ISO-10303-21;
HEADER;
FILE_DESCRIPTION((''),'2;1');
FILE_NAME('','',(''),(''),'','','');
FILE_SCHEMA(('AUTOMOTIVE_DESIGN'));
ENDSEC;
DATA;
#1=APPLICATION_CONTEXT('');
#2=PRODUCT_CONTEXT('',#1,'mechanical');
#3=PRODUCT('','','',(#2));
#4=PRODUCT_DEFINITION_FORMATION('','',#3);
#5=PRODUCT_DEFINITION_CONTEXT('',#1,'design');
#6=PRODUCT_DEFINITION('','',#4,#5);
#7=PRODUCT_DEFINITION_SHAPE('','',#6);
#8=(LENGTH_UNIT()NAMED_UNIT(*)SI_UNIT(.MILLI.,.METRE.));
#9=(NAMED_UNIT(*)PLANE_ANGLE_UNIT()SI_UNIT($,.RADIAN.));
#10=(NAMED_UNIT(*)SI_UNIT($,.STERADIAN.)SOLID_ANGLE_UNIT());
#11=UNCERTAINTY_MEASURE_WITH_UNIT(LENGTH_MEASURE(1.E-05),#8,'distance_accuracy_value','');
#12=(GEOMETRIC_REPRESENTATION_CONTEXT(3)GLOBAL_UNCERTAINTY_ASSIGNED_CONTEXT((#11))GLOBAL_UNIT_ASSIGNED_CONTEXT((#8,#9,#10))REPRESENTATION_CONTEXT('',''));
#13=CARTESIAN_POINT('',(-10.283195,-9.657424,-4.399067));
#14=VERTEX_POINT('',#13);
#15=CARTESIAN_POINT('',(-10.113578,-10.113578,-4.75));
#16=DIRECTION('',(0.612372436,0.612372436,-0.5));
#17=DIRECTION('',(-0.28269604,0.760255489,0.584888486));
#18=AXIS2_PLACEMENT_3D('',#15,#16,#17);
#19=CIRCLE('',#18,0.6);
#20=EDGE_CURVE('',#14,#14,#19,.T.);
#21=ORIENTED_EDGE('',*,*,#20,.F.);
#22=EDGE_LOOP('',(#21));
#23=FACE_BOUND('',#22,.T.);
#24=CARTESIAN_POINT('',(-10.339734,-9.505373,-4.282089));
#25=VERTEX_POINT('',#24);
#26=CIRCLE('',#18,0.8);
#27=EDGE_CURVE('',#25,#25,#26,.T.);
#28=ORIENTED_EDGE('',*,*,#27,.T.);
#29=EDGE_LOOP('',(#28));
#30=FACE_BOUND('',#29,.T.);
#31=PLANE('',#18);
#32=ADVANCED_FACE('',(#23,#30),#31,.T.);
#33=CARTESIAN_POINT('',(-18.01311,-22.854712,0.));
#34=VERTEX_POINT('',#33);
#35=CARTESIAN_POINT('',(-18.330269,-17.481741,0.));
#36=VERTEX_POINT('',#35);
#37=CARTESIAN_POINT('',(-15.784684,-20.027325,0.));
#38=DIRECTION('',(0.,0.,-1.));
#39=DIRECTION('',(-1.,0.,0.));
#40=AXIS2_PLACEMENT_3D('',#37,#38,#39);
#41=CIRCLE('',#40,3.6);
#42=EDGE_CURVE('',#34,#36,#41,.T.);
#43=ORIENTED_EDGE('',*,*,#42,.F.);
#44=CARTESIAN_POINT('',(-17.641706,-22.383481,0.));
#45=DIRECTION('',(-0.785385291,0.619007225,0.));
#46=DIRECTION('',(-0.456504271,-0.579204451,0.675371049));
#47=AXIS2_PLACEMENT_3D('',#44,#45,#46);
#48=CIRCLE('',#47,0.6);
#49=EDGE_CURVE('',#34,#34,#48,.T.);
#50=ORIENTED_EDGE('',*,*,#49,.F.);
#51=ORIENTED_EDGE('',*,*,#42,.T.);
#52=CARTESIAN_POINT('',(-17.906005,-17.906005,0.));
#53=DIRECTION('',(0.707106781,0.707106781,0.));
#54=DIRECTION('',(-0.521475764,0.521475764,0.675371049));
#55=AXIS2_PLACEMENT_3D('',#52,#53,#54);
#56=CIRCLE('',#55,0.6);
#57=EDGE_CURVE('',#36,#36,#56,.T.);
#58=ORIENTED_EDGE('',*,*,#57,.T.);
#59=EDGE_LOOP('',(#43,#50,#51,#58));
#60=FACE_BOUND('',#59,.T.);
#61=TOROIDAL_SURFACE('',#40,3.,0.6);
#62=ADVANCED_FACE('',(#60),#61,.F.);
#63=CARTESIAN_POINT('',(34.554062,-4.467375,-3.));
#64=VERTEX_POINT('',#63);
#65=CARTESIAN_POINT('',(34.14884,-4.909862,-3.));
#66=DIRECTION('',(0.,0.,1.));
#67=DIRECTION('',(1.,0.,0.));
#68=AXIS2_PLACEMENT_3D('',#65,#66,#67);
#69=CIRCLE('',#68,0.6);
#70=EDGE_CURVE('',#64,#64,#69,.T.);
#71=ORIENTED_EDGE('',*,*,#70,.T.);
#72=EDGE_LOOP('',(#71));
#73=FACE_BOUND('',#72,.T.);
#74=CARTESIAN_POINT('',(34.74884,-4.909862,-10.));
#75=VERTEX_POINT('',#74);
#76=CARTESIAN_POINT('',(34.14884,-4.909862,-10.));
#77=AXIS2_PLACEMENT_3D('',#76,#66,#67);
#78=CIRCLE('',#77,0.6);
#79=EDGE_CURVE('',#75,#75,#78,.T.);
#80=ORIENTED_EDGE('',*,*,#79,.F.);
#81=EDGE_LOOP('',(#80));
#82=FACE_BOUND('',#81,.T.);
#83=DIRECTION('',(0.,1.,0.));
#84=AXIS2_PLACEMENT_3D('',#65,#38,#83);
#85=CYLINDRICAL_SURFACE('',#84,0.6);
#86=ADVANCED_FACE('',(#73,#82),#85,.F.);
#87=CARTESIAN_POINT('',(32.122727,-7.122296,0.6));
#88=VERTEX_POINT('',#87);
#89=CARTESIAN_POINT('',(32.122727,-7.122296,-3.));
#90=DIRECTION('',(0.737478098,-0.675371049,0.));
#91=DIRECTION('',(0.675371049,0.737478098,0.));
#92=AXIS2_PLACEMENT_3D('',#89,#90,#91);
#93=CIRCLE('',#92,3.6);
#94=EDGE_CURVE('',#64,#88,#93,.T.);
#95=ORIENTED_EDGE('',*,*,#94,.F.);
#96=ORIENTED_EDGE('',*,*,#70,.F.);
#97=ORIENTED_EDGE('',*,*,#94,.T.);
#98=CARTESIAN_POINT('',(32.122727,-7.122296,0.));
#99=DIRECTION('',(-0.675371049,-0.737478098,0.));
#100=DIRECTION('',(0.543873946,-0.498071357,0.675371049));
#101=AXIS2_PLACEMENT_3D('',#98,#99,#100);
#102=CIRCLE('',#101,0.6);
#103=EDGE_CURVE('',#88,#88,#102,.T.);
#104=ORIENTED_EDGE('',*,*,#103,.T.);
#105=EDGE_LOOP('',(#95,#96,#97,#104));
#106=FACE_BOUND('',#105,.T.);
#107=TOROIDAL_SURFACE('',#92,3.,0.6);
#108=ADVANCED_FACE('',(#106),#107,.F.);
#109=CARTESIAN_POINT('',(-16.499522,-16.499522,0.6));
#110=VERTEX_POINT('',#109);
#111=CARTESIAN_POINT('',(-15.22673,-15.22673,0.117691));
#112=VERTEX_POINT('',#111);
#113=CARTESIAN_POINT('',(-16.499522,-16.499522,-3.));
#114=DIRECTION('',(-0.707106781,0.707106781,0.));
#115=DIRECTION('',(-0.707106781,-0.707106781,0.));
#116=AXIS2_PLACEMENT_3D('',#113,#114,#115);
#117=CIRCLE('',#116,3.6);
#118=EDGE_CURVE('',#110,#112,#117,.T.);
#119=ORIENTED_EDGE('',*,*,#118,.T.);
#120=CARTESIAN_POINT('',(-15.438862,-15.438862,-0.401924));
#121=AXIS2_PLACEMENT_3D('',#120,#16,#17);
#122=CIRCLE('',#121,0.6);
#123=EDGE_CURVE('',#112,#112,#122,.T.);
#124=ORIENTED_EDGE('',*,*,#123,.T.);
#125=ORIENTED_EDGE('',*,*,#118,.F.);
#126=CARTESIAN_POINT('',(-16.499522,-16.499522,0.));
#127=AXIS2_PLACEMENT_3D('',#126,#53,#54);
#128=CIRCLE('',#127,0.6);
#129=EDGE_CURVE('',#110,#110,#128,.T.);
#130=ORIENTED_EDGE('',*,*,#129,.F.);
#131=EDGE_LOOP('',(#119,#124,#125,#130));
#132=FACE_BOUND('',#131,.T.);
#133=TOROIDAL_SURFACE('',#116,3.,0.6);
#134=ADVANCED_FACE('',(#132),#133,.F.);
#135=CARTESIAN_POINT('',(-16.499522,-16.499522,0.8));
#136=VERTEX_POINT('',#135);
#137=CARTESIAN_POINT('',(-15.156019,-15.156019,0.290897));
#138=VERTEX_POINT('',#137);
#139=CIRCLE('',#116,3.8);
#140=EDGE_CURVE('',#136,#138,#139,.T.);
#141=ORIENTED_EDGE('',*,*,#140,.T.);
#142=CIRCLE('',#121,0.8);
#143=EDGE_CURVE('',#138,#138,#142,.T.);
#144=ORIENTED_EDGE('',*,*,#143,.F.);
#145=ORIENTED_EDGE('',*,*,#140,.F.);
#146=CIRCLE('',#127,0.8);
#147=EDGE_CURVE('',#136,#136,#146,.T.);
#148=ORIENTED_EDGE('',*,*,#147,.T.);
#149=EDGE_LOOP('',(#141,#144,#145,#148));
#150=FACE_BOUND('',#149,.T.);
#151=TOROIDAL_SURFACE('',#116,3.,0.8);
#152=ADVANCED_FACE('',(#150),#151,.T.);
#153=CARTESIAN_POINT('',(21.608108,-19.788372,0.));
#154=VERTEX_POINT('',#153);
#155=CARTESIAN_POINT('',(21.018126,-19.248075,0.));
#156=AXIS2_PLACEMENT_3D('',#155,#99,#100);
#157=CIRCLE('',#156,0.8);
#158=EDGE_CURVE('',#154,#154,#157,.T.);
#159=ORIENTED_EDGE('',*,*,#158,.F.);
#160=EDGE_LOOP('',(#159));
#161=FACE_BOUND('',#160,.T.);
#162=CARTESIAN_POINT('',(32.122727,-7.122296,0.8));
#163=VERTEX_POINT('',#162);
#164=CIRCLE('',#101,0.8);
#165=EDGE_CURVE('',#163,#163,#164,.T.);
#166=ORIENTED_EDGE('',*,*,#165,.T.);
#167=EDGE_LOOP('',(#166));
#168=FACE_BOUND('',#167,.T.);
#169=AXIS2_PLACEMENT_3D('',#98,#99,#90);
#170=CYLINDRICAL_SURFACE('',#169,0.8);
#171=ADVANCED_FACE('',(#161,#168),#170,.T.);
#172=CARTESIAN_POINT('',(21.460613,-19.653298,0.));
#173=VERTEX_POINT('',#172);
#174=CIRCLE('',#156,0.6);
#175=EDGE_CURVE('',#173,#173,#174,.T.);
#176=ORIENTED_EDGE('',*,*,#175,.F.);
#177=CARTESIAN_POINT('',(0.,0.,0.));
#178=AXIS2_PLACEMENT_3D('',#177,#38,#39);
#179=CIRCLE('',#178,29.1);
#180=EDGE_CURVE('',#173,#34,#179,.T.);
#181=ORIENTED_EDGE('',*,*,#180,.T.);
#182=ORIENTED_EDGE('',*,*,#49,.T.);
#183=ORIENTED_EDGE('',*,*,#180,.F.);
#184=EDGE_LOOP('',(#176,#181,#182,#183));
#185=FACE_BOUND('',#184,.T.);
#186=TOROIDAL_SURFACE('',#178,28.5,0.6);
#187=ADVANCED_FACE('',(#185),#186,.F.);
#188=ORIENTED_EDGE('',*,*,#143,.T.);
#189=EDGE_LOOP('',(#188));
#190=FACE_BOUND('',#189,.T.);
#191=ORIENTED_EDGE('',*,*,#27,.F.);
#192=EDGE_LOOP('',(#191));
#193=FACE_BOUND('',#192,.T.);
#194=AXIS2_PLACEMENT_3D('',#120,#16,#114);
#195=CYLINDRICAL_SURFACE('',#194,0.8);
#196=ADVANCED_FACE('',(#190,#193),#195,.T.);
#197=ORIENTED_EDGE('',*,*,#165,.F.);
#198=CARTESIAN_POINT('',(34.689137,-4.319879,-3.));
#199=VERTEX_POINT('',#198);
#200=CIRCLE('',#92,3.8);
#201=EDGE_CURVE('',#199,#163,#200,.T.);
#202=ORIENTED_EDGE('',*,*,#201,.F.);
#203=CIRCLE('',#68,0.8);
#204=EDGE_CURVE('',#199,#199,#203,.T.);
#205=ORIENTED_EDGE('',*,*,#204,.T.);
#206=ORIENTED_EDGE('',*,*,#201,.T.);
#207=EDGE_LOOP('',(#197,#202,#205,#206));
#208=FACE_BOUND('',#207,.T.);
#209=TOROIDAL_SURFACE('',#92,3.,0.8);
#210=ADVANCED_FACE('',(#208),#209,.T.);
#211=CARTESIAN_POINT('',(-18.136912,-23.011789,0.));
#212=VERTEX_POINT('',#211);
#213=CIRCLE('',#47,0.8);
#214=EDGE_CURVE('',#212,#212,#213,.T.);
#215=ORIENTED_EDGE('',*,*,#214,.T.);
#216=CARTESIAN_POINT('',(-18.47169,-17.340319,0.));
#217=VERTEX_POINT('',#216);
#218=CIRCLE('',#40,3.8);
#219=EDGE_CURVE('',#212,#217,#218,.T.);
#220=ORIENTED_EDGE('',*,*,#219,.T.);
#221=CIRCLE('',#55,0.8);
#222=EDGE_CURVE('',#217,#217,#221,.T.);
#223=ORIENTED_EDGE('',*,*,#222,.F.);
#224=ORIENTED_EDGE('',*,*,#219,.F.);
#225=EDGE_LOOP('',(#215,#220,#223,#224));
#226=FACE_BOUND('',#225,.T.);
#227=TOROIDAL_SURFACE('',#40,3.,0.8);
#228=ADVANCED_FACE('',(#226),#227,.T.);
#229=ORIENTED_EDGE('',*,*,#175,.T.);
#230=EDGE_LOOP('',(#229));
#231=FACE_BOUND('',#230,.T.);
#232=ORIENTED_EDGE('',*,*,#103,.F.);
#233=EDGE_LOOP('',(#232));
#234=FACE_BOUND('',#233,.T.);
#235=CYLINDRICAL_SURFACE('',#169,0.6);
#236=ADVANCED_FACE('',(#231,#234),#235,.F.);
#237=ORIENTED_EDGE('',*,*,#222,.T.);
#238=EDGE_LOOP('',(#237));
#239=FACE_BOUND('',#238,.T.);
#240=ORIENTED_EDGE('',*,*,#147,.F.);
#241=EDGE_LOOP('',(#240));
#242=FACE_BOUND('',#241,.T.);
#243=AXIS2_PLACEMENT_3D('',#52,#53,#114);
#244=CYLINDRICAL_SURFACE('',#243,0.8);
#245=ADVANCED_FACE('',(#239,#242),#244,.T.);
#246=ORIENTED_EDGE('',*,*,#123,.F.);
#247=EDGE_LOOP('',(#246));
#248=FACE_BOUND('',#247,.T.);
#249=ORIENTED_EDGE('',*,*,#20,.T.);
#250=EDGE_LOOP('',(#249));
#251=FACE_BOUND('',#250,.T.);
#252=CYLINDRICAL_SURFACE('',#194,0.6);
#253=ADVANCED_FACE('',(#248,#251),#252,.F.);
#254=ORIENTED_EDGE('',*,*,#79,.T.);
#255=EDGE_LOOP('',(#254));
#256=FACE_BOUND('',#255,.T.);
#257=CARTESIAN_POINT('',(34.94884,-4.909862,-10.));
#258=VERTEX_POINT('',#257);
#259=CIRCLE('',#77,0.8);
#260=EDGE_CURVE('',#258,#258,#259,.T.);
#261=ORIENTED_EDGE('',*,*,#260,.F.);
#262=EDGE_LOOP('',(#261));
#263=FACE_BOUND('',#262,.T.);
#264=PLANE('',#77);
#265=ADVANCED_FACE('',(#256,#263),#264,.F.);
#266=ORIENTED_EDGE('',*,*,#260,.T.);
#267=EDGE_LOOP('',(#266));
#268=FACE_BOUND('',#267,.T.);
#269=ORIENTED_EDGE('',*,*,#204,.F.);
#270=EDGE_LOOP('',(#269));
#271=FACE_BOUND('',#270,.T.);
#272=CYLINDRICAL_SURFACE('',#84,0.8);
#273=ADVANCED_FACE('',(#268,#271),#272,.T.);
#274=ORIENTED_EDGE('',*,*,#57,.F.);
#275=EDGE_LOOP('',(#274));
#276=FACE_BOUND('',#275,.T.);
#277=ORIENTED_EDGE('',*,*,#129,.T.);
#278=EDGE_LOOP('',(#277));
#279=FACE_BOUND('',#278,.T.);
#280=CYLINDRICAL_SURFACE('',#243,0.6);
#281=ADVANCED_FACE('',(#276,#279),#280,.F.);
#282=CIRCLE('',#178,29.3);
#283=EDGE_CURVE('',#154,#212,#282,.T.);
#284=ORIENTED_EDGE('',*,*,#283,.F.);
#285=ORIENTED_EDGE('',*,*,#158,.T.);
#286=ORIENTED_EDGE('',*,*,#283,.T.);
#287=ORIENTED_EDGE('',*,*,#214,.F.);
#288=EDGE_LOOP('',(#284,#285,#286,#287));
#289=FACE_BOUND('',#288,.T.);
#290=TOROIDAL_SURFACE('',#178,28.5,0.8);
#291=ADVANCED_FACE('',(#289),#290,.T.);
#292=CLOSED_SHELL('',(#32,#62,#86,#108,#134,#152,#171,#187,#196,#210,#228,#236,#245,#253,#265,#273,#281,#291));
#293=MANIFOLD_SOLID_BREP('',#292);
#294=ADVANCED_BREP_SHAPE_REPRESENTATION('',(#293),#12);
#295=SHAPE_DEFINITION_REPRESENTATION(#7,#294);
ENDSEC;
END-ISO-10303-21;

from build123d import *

# Parameters (mm, degrees)
SKETCH3_R   = 0.8
SKETCH3_R_2 = 0.6


with BuildPart() as part:
    # Sweep1: sweep along a curve in space
    with BuildLine() as sweep1_path:
        Line((-15.438861681, -15.438861681, -0.401923789), (-10.113577641, -10.113577641, -4.75))
        ThreePointArc((-16.499521853, -16.499521853, 0), (-15.950483747, -15.950483747, -0.102222521), (-15.438861681, -15.438861681, -0.401923789))
        Line((-17.906004579, -17.906004579, 0), (-16.499521853, -16.499521853, 0))
        ThreePointArc((-17.641705911, -22.383480796, 0), (-18.77947131, -20.204102688, 0), (-17.906004579, -17.906004579, 0))
        ThreePointArc((21.018125806, -19.248074906, 0), (2.303854455, -28.406729038, 0), (-17.641705911, -22.383480796, 0))
        Line((32.122726596, -7.122296221, 0), (21.018125806, -19.248074906, 0))
        ThreePointArc((32.122726596, -7.122296221, 0), (33.555404943, -5.557868927, -0.878679656), (34.148839744, -4.909861925, -3))
        Line((34.148839744, -4.909861925, -3), (34.148839744, -4.909861925, -10))
    # Sketch3 → Sweep1 (sweep)
    with BuildSketch(Plane.XY.offset(-10)):
        with Locations((34.148839744, -4.909861925)):
            Circle(SKETCH3_R)
        with Locations((34.148839744, -4.909861925)):
            Circle(SKETCH3_R_2, mode=Mode.SUBTRACT)
    sweep(path=sweep1_path.line)


solid = part.part
